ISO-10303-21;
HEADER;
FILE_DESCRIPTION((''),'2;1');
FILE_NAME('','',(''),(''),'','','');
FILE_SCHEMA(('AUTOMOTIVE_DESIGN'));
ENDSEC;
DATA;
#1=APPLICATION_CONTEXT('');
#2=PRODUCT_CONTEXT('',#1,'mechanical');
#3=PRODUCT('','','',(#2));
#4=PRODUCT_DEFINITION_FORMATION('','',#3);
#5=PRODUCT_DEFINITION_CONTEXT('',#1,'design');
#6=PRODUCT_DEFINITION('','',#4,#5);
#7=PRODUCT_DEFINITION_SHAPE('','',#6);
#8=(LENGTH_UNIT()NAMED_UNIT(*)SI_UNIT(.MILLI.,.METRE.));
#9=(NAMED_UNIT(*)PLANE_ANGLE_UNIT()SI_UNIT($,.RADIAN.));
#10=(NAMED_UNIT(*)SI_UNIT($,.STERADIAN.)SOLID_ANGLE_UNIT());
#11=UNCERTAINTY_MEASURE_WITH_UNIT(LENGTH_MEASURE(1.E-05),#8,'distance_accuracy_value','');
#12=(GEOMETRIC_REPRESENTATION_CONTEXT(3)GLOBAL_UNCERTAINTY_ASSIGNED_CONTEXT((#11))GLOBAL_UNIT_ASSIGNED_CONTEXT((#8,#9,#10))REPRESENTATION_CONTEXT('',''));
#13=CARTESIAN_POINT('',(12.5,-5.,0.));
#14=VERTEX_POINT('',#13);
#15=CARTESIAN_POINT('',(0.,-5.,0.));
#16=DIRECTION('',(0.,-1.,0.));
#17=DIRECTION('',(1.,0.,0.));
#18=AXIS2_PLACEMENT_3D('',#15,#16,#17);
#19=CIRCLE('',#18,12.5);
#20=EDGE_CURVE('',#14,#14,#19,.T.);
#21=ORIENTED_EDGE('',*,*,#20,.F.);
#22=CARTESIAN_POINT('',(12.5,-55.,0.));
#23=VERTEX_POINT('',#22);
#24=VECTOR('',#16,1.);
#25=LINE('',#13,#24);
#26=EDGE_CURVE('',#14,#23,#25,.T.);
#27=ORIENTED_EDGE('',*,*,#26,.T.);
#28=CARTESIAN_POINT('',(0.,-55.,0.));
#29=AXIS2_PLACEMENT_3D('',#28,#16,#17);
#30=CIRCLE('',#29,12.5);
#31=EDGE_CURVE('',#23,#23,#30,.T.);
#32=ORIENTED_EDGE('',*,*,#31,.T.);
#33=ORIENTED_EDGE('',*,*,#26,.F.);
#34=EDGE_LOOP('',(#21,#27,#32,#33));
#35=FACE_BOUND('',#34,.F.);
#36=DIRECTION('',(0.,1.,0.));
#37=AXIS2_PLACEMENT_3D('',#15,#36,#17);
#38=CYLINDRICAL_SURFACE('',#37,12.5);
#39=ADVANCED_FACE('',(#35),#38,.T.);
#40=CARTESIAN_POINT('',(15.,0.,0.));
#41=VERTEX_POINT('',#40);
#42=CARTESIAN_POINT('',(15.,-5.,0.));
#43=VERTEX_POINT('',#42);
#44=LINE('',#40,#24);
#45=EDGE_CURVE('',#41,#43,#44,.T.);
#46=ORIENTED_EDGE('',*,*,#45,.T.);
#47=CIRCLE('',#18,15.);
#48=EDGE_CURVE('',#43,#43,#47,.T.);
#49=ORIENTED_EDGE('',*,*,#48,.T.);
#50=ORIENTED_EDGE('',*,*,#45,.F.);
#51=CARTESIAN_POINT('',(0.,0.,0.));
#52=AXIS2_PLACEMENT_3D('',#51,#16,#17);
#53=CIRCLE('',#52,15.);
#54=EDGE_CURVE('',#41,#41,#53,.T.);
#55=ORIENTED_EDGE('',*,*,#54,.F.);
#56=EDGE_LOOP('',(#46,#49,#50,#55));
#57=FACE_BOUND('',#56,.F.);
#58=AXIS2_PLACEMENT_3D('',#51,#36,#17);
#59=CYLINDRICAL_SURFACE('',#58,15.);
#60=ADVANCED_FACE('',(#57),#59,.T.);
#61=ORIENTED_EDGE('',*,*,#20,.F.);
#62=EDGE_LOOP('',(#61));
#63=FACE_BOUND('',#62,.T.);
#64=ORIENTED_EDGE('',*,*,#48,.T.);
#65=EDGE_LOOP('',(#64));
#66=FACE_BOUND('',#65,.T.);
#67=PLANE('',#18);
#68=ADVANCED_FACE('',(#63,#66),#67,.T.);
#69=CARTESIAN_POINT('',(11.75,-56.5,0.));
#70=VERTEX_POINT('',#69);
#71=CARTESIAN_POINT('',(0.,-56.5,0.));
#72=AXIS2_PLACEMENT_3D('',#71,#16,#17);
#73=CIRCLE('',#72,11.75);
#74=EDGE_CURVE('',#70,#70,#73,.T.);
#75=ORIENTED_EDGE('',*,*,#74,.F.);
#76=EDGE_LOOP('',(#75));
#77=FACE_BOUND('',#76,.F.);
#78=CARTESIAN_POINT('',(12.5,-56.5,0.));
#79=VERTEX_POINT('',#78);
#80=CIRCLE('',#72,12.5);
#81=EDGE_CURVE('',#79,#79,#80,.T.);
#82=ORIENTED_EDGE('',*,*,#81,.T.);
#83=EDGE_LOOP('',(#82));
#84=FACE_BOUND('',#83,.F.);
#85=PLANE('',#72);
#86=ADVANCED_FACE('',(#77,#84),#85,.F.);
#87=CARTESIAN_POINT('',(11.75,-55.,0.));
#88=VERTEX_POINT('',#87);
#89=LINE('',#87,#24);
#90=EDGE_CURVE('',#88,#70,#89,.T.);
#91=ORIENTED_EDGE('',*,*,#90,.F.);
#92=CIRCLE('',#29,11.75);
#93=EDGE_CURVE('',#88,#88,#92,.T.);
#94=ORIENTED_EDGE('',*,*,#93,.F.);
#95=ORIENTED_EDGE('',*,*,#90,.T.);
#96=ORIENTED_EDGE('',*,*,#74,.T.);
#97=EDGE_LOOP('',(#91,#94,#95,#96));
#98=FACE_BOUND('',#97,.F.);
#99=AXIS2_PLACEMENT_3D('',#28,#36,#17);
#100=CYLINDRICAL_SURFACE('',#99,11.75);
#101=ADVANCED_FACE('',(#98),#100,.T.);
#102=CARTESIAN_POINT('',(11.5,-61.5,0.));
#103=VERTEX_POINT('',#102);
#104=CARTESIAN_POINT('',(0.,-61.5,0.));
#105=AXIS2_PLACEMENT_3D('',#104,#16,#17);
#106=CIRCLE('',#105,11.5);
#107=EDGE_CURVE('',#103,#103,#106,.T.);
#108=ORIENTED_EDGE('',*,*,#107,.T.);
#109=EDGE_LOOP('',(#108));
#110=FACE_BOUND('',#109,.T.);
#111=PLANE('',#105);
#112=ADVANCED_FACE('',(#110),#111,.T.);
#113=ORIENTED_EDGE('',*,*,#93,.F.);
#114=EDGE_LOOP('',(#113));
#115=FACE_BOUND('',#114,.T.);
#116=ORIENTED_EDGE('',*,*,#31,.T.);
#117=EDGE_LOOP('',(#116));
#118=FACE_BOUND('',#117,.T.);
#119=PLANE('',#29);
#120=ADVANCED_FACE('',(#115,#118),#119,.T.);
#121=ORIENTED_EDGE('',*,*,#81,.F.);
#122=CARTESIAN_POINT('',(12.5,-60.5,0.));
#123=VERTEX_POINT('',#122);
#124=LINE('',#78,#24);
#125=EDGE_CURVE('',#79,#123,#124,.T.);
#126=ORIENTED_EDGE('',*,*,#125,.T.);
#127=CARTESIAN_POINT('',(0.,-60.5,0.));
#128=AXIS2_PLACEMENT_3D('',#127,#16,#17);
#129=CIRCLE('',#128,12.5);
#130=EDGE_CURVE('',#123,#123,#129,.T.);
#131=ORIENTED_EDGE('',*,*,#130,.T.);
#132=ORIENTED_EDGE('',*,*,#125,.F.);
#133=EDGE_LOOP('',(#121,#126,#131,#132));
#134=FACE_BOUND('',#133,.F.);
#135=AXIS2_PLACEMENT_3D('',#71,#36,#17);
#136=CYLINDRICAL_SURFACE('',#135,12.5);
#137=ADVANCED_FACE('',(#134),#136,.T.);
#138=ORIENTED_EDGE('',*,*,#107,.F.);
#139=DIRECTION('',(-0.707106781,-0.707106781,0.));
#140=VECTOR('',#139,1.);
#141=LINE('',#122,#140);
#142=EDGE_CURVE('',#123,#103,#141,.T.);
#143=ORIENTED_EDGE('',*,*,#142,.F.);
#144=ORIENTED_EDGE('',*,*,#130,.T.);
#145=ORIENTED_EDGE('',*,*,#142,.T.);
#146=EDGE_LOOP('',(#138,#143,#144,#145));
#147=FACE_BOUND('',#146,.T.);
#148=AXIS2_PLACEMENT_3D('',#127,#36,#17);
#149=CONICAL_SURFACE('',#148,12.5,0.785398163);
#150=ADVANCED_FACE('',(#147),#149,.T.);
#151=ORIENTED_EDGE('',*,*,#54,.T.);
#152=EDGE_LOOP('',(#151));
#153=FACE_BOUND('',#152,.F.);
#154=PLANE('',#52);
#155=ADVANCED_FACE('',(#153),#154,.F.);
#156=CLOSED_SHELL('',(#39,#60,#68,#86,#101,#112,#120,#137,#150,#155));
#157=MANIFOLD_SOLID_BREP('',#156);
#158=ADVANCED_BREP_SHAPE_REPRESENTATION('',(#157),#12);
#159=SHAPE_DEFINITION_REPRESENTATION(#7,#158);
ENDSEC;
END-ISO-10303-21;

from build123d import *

# Parameters (mm, degrees)
F0_R     = 15
F1_DEPTH = 5
F2_R     = 12.5
F3_DEPTH = 50
F4_R     = 11.75
F5_DEPTH = 1.5
F7_R     = 12.5
F8_DEPTH = 5
F9_SIZE  = 1


with BuildPart() as f1:
    # F0 (on Front) → F1 (new body)
    with BuildSketch(Plane.XZ):
        Circle(F0_R)
    extrude(amount=F1_DEPTH)

    # F2 (on face) → F3 (join)
    with BuildSketch(Plane.XZ.offset(5)):
        Circle(F2_R)
    extrude(amount=F3_DEPTH)

    # F4 (on face) → F5 (join)
    with BuildSketch(Plane.XZ.offset(55)):
        Circle(F4_R)
    extrude(amount=F5_DEPTH)

    # F7 (on face) → F8 (join)
    with BuildSketch(Plane.XZ.offset(56.5)):
        Circle(F7_R)
    extrude(amount=F8_DEPTH)

    # F9
    f9_edges = [f1.edges().sort_by_distance(p)[0] for p in [
        (-12.5, -61.5, 0),
    ]]
    chamfer(f9_edges, length=F9_SIZE)


solid = f1.part
